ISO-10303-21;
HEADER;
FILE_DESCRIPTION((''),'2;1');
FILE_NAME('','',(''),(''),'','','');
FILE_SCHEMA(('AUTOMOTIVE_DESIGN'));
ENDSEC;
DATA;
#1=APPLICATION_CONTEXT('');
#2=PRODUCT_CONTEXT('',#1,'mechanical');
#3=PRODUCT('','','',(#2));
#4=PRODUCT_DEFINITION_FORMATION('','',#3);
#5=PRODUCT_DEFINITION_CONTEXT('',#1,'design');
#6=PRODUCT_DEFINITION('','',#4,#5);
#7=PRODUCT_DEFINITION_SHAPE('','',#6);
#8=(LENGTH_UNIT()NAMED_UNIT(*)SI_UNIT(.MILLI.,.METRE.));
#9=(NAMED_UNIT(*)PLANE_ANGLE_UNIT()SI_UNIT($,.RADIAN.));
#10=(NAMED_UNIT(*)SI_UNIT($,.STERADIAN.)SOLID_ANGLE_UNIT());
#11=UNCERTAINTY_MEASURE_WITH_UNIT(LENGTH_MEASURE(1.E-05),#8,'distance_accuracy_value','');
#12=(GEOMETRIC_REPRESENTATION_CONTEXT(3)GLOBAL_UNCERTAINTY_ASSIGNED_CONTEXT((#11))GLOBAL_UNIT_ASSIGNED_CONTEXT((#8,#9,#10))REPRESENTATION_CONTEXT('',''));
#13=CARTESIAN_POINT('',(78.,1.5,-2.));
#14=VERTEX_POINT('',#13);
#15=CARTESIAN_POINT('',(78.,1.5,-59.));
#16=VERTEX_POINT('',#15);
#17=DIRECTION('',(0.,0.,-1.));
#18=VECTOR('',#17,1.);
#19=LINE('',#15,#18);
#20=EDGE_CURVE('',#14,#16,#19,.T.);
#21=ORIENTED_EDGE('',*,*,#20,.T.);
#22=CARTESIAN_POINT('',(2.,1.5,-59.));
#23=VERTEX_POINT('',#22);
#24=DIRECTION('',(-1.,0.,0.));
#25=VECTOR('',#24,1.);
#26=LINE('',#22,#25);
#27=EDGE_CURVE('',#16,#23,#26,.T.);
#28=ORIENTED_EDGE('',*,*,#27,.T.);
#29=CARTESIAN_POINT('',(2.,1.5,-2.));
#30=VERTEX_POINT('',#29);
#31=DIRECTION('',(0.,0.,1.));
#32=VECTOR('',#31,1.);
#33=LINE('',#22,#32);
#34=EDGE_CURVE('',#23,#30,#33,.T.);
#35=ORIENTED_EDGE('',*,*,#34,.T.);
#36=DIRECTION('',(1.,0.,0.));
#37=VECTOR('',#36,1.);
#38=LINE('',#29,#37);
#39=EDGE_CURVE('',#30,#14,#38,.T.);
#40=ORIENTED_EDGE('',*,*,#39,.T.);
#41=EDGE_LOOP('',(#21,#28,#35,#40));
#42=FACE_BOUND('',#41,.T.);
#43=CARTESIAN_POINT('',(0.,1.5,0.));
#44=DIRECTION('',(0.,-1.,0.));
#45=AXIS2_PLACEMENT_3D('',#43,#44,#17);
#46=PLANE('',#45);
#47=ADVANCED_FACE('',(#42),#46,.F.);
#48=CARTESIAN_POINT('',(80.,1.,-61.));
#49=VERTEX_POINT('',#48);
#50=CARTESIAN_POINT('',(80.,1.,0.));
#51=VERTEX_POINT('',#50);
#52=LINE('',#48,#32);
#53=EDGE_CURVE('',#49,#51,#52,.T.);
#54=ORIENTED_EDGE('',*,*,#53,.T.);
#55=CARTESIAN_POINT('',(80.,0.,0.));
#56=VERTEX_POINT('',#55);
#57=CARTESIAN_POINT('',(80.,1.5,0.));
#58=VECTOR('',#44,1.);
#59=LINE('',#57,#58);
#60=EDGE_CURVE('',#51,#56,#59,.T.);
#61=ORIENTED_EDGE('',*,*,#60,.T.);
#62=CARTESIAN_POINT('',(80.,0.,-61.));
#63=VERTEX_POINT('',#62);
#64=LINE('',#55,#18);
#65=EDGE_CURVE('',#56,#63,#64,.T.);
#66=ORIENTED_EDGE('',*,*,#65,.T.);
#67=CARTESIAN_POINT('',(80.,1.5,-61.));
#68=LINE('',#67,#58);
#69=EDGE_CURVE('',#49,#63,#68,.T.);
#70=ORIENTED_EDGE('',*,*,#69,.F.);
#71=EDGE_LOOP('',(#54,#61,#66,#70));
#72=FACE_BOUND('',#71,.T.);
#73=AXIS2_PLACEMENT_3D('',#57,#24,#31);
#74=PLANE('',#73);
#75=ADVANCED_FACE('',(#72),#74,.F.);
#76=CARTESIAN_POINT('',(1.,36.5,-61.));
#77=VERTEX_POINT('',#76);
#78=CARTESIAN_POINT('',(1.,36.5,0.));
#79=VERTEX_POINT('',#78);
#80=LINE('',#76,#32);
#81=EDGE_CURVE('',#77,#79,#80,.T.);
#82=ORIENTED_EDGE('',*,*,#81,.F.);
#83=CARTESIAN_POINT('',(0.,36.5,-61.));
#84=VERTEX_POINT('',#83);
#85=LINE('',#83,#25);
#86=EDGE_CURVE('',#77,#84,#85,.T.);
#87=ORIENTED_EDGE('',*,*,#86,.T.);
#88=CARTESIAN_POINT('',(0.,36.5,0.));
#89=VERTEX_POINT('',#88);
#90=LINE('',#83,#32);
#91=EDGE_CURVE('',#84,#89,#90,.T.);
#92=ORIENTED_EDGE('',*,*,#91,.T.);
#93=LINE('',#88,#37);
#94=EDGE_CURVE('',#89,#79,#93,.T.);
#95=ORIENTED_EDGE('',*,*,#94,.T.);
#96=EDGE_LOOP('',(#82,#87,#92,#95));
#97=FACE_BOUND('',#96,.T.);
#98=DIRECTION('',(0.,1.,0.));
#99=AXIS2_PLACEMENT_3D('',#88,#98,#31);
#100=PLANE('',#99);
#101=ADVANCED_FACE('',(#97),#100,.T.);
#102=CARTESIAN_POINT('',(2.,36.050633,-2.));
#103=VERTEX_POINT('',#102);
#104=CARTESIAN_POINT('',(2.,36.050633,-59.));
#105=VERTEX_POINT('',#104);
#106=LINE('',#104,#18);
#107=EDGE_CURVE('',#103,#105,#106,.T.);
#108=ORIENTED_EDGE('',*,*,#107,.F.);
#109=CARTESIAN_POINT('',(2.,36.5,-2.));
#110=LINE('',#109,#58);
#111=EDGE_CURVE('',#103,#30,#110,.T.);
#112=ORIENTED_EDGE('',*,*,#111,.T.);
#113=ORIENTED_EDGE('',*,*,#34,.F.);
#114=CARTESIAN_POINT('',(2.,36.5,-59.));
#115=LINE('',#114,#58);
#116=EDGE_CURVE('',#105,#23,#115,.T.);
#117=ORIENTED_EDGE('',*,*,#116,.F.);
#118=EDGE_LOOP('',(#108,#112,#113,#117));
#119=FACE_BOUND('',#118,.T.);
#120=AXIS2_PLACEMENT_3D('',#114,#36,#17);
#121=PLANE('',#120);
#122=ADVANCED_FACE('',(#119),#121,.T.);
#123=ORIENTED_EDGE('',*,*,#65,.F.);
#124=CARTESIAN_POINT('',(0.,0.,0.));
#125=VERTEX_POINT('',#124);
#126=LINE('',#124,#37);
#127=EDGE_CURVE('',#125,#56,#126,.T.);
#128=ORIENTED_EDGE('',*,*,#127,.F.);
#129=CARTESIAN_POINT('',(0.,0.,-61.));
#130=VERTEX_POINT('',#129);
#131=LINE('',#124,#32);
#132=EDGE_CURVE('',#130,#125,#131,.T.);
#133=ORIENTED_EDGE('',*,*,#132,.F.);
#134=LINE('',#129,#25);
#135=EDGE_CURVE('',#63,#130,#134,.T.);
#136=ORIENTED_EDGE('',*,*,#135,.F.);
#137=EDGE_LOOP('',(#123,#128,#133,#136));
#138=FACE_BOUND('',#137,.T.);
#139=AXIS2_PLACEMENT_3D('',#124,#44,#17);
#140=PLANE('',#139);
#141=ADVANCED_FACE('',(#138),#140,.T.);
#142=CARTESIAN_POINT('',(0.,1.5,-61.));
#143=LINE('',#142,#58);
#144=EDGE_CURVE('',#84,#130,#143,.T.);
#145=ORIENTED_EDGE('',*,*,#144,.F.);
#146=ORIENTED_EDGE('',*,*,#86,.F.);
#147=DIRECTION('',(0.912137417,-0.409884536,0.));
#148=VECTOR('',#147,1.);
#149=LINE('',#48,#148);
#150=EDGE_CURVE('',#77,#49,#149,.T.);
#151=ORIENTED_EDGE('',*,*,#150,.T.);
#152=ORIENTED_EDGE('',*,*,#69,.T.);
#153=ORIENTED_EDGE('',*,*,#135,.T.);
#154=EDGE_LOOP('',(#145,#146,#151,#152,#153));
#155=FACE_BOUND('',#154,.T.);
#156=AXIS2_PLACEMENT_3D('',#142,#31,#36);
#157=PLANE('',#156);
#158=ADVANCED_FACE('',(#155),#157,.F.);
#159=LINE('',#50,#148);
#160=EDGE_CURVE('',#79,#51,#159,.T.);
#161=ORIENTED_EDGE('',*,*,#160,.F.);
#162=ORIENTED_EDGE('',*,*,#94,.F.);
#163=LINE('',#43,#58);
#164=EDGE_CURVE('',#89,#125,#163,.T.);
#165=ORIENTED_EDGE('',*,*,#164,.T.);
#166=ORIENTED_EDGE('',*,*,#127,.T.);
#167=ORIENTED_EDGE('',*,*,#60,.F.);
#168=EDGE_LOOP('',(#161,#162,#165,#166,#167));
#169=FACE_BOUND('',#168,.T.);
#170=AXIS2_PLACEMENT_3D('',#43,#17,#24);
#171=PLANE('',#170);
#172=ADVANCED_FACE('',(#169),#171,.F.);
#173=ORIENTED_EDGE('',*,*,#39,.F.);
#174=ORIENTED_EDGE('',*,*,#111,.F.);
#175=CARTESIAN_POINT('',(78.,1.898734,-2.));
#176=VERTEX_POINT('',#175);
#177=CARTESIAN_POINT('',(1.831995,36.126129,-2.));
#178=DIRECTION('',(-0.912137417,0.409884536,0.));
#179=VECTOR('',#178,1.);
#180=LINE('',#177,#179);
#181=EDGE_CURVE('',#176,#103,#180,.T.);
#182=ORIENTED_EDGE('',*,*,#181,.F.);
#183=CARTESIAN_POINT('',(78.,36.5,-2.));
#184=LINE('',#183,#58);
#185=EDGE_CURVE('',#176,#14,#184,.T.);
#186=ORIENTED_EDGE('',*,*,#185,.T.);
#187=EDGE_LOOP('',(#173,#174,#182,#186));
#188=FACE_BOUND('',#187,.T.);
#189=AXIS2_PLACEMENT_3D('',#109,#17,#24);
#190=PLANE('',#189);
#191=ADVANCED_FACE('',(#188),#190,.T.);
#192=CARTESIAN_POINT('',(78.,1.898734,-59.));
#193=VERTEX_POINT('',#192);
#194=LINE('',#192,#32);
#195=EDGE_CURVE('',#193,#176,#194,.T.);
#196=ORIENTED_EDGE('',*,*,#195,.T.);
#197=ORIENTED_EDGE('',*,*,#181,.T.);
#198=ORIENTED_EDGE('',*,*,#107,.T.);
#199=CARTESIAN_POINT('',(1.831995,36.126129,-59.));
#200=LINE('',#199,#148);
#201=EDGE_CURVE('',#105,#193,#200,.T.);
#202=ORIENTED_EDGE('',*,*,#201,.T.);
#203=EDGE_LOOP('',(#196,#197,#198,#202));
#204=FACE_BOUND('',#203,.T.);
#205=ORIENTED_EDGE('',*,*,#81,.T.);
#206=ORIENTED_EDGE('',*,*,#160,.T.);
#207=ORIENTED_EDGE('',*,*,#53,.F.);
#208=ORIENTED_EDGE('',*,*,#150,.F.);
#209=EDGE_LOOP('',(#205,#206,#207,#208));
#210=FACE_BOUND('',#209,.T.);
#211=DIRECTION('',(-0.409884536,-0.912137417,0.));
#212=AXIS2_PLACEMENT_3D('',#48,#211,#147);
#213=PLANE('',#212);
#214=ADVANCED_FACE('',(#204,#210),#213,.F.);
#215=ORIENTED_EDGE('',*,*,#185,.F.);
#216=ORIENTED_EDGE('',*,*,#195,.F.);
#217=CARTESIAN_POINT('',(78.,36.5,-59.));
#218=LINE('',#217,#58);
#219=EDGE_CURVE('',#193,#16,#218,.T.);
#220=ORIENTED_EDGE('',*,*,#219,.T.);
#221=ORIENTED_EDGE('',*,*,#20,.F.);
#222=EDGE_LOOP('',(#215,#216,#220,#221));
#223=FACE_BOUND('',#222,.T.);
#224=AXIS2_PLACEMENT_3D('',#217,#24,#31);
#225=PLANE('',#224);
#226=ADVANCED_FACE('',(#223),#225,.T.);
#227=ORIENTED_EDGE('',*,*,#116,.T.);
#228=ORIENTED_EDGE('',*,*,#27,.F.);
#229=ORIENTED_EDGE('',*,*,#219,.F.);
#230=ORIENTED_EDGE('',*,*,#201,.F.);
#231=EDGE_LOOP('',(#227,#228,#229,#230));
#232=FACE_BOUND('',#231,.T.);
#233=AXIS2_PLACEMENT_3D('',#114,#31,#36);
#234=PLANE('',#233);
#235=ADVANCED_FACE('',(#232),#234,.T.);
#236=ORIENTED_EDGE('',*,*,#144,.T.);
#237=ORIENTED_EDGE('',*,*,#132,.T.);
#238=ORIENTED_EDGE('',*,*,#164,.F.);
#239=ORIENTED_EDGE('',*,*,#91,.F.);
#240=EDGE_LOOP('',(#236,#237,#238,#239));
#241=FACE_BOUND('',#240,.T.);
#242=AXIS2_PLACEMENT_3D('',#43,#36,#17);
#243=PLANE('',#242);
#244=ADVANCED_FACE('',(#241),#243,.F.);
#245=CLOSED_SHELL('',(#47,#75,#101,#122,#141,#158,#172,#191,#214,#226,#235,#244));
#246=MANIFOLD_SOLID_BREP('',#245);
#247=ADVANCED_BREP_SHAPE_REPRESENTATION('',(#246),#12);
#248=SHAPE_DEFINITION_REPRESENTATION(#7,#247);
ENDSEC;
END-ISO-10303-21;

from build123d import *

# Parameters (mm, degrees)
SKETCH_1_W          = 80
SKETCH_1_H          = 61
EXTRUDE_1_DEPTH     = 1.5
SKETCH_5_W          = 80
SKETCH_5_H          = 61
SKETCH_5_W_2        = 76
SKETCH_5_H_2        = 57
EXTRUDE_3_DEPTH     = 35
CUT_EXTRUDE_2_DEPTH = 108.01985797


with BuildPart() as part:
    # 草图1 → 凸台-拉伸1 (new body)
    with BuildSketch(Plane(origin=(0, 0, 0), x_dir=(1, 0, 0), z_dir=(0, 1, 0))):
        with Locations((40, 30.5)):
            Rectangle(SKETCH_1_W, SKETCH_1_H)
    extrude(amount=EXTRUDE_1_DEPTH)

    # 草图5 → 凸台-拉伸3 (add)
    with BuildSketch(Plane(origin=(0, 1.5, 0), x_dir=(1, 0, 0), z_dir=(0, 1, 0))):
        with Locations((40, 30.5)):
            Rectangle(SKETCH_5_W, SKETCH_5_H)
        with Locations((40, 30.5)):
            Rectangle(SKETCH_5_W_2, SKETCH_5_H_2, mode=Mode.SUBTRACT)
    extrude(amount=EXTRUDE_3_DEPTH)

    # 草图6 → 切除-拉伸2 (cut, through all)
    with BuildSketch(Plane.XY):
        Polygon((1, 36.5), (80, 36.5), (80, 1), align=None)
    extrude(amount=-CUT_EXTRUDE_2_DEPTH, mode=Mode.SUBTRACT)


solid = part.part
